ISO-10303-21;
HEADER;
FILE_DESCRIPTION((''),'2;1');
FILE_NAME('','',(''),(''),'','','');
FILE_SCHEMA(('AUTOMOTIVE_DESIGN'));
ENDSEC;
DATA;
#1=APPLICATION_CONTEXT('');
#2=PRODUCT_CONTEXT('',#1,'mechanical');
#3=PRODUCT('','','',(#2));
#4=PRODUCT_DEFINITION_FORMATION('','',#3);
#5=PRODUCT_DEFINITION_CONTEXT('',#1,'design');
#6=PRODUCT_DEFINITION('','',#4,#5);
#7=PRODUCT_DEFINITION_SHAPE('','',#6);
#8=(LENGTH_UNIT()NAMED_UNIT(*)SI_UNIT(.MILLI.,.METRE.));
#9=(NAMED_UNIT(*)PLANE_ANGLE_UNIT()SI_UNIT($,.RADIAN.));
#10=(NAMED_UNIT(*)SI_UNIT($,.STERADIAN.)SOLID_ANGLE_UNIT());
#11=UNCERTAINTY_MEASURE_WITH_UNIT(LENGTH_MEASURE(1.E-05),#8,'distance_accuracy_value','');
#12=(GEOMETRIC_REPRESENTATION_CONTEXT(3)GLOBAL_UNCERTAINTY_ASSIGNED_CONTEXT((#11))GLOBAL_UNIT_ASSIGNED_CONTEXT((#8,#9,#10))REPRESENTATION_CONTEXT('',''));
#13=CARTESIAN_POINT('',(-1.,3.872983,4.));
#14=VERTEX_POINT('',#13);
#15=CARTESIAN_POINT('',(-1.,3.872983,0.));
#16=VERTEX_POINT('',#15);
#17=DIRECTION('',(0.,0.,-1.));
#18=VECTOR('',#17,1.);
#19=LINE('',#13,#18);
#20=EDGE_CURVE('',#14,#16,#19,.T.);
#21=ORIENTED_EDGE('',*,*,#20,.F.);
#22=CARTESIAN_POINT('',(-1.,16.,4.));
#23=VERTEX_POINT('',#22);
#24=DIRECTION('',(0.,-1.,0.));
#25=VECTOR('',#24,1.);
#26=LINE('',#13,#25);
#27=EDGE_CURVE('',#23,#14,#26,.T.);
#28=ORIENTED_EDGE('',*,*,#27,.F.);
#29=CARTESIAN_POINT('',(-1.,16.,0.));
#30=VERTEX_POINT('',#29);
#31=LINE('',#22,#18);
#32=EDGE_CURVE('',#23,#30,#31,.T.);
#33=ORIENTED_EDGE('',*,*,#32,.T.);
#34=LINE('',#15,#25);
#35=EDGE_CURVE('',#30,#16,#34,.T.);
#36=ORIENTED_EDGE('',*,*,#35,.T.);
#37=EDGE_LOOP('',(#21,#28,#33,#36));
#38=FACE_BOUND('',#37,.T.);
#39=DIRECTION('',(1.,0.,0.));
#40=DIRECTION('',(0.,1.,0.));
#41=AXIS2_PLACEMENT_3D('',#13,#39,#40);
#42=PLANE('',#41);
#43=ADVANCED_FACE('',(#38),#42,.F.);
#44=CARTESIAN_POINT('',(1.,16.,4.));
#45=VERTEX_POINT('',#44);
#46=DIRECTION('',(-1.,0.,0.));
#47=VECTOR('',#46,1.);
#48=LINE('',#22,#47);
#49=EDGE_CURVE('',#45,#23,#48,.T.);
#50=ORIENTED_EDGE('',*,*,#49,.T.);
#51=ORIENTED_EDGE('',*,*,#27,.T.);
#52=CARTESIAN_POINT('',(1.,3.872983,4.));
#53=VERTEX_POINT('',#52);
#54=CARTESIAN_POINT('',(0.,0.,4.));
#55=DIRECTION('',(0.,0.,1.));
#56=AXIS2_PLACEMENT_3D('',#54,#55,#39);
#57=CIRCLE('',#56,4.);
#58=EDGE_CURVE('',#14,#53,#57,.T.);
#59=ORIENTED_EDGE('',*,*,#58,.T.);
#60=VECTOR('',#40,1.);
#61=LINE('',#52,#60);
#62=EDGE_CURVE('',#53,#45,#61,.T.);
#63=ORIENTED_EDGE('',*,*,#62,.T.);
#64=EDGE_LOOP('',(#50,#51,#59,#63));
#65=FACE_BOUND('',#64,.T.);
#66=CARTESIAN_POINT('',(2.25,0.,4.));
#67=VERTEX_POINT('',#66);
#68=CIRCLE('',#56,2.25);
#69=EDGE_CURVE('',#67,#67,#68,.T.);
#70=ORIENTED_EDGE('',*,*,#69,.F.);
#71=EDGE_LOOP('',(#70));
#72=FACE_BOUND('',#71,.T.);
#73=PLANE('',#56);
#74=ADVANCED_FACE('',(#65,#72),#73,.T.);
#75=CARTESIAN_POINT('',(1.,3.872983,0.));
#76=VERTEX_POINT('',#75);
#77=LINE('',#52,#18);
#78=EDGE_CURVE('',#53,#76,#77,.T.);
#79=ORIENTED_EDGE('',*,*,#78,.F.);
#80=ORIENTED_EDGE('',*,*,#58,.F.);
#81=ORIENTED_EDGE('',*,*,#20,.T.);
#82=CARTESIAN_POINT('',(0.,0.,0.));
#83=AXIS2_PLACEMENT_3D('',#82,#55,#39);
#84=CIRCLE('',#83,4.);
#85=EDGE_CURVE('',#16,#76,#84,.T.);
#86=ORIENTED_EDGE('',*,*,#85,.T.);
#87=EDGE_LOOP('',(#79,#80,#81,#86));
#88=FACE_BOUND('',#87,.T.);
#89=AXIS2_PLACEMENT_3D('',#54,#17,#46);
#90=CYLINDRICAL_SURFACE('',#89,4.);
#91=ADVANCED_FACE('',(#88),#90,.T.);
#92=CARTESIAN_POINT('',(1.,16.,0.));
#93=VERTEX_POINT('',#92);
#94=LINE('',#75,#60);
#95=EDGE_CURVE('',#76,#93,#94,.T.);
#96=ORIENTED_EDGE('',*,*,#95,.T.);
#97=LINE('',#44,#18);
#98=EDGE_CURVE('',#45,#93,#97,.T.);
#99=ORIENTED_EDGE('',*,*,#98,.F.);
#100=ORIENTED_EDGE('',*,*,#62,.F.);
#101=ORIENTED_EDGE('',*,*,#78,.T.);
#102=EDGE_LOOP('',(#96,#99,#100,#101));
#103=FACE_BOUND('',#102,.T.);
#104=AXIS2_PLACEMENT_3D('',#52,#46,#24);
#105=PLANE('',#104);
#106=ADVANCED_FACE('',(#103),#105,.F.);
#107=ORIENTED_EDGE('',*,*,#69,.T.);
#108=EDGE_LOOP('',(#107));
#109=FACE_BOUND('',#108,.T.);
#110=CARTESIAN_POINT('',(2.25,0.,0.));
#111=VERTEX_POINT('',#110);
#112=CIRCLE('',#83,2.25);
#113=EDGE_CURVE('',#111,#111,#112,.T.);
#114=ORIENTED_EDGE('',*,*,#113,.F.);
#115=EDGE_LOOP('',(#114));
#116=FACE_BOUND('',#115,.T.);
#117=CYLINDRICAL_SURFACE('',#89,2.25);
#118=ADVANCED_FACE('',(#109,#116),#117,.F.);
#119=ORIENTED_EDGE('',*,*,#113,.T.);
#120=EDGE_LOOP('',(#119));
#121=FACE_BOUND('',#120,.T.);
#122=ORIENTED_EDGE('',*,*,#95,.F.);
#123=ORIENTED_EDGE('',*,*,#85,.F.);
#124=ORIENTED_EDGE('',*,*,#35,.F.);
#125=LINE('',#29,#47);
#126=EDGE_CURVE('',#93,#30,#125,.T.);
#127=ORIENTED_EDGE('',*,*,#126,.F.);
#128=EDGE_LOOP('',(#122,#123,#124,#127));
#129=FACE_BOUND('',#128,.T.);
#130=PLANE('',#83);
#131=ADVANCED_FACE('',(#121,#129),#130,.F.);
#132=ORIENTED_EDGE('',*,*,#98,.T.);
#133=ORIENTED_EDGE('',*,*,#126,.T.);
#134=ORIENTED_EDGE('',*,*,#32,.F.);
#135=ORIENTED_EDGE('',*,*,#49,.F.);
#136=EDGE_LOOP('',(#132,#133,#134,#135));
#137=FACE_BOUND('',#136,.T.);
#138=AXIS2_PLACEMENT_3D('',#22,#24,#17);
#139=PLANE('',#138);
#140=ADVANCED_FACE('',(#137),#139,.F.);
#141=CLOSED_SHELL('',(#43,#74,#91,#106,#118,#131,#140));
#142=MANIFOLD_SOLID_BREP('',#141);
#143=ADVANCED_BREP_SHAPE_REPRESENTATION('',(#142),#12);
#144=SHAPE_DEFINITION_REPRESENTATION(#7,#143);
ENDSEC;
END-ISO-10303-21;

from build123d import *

# Parameters (mm, degrees)
SKETCH2_R           = 2.25
BOSS_EXTRUDE2_DEPTH = 4


with BuildPart() as part:
    # Sketch2 → Boss-Extrude2 (new body)
    with BuildSketch(Plane(origin=(0, 0, 0), x_dir=(0, 1, 0), z_dir=(0, 0, 1))):
        with BuildLine():
            Line((3.872983346, 1), (16, 1))
            Line((16, 1), (16, -1))
            Line((16, -1), (3.872983346, -1))
            ThreePointArc((3.872983346, -1), (-4, 0), (3.872983346, 1))
        make_face()
        with Locations(Location((0, 0, 0), (0, 0, 270))):
            Circle(SKETCH2_R, mode=Mode.SUBTRACT)
    extrude(amount=BOSS_EXTRUDE2_DEPTH)


solid = part.part
